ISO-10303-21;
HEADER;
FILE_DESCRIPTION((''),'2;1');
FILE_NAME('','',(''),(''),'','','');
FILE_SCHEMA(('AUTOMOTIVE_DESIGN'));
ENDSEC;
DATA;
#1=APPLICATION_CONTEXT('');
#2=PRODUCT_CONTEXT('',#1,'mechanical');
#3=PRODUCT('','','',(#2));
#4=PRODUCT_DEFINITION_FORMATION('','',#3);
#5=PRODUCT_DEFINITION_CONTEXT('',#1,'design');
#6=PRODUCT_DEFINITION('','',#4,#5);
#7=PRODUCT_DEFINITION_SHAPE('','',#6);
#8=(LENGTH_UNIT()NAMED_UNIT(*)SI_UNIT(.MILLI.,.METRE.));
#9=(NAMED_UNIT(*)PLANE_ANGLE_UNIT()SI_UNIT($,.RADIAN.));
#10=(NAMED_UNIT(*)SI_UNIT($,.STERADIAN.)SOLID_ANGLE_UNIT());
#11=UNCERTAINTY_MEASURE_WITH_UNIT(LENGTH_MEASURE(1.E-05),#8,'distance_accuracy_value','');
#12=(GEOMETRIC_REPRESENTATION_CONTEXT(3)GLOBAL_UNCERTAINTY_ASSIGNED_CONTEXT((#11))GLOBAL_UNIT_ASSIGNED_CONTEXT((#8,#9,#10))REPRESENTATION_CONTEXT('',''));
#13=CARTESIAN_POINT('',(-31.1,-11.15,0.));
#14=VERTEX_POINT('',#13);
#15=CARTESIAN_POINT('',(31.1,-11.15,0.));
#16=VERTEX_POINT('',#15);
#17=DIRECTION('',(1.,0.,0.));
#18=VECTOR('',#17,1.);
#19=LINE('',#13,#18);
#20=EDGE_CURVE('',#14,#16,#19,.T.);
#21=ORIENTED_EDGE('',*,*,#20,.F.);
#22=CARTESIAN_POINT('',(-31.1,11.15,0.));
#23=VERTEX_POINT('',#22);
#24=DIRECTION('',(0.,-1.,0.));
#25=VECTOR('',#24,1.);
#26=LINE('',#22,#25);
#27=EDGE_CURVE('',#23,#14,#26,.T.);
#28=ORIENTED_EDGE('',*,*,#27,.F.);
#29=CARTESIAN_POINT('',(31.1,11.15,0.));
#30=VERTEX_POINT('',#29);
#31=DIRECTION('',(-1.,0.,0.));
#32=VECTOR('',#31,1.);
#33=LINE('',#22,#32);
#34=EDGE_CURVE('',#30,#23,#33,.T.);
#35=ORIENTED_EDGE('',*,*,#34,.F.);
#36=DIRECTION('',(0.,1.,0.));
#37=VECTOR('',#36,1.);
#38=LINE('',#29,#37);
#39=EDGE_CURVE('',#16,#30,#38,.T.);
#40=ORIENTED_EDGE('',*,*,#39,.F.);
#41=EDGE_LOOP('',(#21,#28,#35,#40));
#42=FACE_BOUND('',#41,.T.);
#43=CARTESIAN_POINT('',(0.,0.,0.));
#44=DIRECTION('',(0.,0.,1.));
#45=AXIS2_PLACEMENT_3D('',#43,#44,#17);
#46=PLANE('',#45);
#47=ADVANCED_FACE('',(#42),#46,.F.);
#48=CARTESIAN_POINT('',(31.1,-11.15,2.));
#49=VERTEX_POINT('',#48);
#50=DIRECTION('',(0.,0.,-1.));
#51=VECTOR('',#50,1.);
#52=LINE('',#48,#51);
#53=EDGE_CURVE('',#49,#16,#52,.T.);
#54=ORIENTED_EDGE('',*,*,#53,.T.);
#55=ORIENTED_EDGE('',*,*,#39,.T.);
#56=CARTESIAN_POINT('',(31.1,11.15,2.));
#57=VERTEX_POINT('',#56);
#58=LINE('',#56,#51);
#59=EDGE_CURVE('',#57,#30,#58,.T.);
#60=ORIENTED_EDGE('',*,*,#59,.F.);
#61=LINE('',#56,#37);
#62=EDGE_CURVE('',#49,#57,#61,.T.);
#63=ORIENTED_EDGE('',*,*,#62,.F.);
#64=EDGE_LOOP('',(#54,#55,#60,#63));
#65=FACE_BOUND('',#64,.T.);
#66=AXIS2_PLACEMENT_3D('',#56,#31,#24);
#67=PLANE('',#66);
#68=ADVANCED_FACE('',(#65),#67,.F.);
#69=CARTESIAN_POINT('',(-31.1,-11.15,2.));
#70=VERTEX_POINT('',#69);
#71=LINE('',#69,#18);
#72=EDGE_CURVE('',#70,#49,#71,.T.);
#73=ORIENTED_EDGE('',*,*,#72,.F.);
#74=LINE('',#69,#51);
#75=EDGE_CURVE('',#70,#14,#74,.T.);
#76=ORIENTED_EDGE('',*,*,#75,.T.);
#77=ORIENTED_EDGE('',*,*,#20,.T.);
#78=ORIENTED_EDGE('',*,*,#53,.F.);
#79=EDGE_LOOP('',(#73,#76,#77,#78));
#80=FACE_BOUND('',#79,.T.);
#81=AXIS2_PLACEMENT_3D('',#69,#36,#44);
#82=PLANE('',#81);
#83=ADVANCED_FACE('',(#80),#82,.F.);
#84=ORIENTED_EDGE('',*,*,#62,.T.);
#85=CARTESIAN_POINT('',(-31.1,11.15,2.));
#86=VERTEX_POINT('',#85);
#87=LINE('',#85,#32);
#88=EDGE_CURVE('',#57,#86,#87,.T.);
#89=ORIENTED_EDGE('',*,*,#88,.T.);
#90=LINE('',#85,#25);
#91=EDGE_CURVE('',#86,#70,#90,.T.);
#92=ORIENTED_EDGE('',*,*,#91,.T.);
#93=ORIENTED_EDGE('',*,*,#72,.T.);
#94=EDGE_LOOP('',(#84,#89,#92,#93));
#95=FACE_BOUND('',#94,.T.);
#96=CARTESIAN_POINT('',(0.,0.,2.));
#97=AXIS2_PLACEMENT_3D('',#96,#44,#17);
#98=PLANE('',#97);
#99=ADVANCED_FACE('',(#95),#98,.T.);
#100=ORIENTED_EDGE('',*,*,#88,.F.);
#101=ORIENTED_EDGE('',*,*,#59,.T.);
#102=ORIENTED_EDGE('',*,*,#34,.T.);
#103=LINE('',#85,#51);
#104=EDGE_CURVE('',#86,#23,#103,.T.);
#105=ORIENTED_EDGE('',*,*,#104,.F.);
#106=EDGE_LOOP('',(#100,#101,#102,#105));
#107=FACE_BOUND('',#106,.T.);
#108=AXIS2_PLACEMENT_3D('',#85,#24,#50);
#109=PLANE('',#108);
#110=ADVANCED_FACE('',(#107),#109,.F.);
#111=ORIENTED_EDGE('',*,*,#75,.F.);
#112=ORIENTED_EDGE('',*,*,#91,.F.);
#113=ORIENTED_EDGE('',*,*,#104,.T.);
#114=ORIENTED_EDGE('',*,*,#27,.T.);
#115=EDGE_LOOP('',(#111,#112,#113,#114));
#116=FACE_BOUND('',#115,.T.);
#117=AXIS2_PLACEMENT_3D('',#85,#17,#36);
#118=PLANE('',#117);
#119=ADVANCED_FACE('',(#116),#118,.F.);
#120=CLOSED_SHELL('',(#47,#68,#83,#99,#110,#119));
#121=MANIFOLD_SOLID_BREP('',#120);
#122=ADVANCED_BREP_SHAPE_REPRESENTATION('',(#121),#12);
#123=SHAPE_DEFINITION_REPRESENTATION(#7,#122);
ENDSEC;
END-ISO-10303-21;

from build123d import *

# Parameters (mm, degrees)
ESBO_O1_W                = 62.2
ESBO_O1_H                = 22.3
RESSALTO_EXTRUS_O1_DEPTH = 2


with BuildPart() as part:
    # Esboço1 → Ressalto-extrusão1 (new body)
    with BuildSketch(Plane.XY):
        Rectangle(ESBO_O1_W, ESBO_O1_H)
    extrude(amount=RESSALTO_EXTRUS_O1_DEPTH)


solid = part.part
